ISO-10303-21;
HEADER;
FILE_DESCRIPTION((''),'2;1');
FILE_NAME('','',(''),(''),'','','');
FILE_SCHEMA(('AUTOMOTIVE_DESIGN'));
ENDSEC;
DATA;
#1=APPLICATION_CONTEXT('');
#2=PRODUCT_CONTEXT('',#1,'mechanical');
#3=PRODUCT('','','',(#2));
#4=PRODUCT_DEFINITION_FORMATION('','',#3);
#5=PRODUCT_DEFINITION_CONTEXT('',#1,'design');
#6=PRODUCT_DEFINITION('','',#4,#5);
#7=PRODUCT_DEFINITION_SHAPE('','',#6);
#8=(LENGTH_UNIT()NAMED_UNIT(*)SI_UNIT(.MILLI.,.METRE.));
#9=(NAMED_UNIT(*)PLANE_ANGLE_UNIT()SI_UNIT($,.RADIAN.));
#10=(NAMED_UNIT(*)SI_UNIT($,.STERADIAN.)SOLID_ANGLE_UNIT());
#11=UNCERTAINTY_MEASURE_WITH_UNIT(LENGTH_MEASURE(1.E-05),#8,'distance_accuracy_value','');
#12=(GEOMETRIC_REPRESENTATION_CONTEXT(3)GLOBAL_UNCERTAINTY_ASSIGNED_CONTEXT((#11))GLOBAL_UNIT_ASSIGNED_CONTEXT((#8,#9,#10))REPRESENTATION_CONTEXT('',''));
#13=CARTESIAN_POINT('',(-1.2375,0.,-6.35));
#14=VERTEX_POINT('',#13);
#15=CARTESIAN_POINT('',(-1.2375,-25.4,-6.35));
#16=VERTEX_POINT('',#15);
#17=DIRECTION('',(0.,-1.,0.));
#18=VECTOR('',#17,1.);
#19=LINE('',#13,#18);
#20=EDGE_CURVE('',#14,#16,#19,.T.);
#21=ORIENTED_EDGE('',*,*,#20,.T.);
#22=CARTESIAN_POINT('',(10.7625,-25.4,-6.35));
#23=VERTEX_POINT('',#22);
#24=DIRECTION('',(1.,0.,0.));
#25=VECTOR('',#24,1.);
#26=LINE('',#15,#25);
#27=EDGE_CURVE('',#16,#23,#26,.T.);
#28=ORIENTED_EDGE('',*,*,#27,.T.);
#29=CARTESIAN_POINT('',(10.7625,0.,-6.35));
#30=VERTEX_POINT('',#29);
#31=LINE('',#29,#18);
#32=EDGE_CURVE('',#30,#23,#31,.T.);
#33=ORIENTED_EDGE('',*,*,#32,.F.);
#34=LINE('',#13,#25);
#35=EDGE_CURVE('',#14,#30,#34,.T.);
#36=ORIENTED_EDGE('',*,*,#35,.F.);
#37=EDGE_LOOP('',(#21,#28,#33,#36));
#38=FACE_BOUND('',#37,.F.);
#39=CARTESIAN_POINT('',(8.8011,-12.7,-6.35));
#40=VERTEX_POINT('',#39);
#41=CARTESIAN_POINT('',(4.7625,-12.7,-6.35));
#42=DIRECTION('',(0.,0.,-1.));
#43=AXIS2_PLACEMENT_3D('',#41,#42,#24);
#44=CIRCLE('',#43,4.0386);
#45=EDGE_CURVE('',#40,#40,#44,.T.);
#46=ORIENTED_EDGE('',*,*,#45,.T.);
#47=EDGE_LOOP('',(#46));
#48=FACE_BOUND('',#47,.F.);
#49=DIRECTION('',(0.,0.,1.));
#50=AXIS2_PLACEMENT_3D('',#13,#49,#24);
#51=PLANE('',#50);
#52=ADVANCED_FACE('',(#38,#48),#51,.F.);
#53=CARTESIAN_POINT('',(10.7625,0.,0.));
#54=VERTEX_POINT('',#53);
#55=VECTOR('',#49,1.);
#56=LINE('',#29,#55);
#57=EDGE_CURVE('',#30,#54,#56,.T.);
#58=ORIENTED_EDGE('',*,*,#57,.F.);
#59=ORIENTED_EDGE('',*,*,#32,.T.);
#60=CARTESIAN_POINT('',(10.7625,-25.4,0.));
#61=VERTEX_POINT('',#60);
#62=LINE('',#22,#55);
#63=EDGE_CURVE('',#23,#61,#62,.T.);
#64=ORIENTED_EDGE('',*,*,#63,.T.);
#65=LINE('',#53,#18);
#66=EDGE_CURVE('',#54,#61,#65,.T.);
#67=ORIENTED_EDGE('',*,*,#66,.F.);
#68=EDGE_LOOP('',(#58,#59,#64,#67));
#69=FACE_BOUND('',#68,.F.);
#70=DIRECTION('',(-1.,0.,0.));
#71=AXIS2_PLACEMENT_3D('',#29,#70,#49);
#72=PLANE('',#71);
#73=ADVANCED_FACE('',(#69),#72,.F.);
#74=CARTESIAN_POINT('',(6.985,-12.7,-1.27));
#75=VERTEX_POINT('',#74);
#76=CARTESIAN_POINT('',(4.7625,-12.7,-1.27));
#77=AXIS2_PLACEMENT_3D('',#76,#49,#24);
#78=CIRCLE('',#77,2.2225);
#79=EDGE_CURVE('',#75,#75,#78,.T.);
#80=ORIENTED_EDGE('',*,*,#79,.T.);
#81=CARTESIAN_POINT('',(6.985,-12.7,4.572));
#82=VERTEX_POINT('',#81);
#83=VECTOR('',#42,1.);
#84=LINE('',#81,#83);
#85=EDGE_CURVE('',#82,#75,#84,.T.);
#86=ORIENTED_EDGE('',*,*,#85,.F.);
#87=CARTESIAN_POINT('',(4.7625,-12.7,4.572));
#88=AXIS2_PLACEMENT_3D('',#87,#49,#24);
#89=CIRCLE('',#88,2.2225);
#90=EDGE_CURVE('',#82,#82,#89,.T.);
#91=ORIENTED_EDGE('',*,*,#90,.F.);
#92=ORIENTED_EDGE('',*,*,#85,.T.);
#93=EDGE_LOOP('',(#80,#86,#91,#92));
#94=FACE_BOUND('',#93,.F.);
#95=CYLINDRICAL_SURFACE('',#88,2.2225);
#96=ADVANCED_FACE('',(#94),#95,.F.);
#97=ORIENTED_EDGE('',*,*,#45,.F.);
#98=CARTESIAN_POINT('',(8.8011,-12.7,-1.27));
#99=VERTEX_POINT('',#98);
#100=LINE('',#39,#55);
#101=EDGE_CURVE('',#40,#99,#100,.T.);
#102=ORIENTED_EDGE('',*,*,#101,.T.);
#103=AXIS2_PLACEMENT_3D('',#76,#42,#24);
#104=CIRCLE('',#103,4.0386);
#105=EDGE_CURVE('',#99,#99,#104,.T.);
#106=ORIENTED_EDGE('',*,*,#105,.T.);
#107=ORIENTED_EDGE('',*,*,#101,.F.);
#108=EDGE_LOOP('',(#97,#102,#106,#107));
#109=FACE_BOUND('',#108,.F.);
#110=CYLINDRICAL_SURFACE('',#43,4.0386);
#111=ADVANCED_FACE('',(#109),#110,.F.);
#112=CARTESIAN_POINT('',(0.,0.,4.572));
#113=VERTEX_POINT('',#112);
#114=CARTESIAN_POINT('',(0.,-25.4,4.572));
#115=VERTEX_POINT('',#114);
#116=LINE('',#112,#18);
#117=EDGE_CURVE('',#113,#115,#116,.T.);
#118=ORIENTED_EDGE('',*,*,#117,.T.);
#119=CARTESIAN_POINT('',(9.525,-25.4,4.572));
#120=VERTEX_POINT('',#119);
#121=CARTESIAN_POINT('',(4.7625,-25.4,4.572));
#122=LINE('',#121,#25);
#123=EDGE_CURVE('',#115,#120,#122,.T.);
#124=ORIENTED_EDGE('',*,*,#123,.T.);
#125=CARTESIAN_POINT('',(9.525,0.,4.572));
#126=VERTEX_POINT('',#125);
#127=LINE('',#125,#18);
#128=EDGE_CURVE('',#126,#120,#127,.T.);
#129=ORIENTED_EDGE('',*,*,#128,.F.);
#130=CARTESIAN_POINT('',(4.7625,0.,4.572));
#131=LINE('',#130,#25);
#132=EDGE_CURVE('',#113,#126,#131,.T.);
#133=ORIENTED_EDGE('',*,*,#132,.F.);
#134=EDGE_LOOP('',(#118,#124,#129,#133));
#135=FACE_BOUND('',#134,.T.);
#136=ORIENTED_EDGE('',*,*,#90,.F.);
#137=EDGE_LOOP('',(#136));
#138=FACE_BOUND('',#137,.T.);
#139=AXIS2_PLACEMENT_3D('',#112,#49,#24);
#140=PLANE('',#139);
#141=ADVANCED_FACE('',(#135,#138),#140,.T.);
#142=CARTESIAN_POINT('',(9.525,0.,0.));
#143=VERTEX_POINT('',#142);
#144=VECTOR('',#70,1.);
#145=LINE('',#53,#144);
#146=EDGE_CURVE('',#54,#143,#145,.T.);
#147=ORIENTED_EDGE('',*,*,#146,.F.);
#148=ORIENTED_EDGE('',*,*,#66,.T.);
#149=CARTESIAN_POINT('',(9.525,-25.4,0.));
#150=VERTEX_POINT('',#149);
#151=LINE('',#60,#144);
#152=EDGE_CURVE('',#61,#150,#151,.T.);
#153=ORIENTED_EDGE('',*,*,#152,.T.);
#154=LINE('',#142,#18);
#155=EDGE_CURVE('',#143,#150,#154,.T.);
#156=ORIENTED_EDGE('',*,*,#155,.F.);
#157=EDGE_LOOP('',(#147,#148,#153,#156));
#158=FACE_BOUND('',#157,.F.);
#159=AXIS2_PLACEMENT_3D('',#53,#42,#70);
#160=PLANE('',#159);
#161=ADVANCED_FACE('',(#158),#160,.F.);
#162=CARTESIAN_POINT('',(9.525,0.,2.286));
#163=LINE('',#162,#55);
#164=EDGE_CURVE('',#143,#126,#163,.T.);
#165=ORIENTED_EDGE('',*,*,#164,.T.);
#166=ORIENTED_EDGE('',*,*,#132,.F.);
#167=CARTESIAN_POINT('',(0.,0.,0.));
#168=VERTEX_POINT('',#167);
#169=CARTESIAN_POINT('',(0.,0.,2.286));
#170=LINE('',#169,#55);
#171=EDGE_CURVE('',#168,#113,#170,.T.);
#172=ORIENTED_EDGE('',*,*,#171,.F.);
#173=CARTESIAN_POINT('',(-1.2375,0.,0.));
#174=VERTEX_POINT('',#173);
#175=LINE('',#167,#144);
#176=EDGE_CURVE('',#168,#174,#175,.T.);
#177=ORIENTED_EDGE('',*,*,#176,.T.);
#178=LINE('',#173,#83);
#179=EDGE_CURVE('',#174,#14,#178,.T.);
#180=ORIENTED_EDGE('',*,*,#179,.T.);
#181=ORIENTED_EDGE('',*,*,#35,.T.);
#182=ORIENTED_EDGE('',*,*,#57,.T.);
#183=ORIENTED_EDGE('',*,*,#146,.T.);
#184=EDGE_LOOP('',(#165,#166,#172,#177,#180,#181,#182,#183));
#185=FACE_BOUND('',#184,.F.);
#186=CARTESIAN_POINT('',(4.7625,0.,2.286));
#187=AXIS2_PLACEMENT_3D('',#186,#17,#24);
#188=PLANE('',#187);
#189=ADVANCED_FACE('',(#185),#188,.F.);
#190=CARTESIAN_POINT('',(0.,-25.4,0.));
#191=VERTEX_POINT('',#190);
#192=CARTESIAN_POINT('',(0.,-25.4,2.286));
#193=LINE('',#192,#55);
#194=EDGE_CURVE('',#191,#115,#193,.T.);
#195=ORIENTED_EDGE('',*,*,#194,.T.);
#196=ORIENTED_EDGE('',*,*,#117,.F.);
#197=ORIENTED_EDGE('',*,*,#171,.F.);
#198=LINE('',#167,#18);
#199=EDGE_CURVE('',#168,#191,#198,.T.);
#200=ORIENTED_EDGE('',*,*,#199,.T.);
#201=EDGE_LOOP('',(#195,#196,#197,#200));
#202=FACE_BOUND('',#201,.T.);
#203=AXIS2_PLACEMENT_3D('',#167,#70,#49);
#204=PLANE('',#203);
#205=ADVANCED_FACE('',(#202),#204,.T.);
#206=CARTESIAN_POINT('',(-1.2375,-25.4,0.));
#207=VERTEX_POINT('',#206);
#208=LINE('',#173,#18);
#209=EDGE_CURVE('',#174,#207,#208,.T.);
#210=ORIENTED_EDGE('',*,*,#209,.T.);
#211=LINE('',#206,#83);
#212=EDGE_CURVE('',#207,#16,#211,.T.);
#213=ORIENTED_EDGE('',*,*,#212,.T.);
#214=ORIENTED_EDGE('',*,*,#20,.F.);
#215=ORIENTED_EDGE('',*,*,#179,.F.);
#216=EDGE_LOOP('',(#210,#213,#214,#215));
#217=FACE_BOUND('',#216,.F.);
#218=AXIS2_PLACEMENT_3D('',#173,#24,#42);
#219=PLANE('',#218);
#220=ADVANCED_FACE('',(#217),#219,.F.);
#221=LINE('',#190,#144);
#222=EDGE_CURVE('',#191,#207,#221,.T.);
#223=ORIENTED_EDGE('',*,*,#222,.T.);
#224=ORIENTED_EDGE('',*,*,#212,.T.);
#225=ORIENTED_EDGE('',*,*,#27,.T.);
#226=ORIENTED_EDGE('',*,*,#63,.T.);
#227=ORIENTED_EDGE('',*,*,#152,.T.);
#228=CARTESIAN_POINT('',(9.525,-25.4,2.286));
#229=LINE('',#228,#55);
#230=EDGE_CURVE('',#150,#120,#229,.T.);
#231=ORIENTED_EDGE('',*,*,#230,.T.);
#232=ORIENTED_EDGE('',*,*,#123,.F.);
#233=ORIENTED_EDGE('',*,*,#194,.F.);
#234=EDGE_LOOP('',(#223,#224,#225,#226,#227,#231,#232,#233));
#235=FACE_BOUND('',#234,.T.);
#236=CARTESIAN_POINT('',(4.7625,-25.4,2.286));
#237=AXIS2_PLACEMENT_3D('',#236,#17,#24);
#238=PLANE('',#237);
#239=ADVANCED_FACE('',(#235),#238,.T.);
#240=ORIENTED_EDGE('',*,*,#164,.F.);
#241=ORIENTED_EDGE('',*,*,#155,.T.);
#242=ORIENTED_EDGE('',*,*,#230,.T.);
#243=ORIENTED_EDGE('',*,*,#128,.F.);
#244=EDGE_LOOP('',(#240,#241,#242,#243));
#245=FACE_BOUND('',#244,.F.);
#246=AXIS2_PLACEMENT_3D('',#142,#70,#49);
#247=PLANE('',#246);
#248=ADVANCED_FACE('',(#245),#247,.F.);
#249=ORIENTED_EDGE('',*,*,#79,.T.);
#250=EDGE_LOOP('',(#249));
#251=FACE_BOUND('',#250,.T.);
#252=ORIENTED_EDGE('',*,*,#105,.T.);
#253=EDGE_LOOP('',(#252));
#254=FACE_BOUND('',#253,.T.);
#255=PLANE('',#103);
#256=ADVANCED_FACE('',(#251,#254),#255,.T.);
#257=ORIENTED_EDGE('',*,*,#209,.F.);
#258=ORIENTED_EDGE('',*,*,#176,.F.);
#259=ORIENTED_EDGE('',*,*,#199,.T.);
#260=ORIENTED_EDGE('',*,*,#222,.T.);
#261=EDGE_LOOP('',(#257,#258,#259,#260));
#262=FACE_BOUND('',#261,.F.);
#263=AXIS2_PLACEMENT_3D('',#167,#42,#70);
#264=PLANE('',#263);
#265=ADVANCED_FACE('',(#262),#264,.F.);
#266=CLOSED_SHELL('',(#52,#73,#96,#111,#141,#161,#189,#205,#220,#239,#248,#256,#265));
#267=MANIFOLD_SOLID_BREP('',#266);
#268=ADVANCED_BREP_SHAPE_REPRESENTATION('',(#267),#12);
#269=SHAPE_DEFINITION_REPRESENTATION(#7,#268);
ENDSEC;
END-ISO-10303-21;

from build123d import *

# Parameters (mm, degrees)
F0_W     = 9.525
F0_H     = 4.572
F1_DEPTH = 25.4
F2_R     = 2.2225
F3_DEPTH = 10.923
F4_R     = 4.0386
F5_DEPTH = 5.08


with BuildPart() as f1:
    # F0 (on Front) → F1 (new body)
    with BuildSketch(Plane.XZ):
        with Locations((4.7625, 2.286)):
            Rectangle(F0_W, F0_H)
        Polygon((9.525, 0), (0, 0), (-1.2375, 0), (-1.2375, -6.35), (10.7625, -6.35), (10.7625, 0), align=None)
    extrude(amount=F1_DEPTH)

    # F2 (on face) → F3 (cut, through all)
    with BuildSketch(Plane.XY.offset(4.572)):
        with Locations((4.7625, -12.7)):
            Circle(F2_R)
    extrude(amount=-F3_DEPTH, mode=Mode.SUBTRACT)

    # F4 (on face) → F5 (cut)
    with BuildSketch(Plane(origin=(0, 0, -6.35), x_dir=(1, 0, 0), z_dir=(0, 0, -1))):
        with Locations((4.7625, 12.7)):
            Circle(F4_R)
    extrude(amount=-F5_DEPTH, mode=Mode.SUBTRACT)


solid = f1.part
